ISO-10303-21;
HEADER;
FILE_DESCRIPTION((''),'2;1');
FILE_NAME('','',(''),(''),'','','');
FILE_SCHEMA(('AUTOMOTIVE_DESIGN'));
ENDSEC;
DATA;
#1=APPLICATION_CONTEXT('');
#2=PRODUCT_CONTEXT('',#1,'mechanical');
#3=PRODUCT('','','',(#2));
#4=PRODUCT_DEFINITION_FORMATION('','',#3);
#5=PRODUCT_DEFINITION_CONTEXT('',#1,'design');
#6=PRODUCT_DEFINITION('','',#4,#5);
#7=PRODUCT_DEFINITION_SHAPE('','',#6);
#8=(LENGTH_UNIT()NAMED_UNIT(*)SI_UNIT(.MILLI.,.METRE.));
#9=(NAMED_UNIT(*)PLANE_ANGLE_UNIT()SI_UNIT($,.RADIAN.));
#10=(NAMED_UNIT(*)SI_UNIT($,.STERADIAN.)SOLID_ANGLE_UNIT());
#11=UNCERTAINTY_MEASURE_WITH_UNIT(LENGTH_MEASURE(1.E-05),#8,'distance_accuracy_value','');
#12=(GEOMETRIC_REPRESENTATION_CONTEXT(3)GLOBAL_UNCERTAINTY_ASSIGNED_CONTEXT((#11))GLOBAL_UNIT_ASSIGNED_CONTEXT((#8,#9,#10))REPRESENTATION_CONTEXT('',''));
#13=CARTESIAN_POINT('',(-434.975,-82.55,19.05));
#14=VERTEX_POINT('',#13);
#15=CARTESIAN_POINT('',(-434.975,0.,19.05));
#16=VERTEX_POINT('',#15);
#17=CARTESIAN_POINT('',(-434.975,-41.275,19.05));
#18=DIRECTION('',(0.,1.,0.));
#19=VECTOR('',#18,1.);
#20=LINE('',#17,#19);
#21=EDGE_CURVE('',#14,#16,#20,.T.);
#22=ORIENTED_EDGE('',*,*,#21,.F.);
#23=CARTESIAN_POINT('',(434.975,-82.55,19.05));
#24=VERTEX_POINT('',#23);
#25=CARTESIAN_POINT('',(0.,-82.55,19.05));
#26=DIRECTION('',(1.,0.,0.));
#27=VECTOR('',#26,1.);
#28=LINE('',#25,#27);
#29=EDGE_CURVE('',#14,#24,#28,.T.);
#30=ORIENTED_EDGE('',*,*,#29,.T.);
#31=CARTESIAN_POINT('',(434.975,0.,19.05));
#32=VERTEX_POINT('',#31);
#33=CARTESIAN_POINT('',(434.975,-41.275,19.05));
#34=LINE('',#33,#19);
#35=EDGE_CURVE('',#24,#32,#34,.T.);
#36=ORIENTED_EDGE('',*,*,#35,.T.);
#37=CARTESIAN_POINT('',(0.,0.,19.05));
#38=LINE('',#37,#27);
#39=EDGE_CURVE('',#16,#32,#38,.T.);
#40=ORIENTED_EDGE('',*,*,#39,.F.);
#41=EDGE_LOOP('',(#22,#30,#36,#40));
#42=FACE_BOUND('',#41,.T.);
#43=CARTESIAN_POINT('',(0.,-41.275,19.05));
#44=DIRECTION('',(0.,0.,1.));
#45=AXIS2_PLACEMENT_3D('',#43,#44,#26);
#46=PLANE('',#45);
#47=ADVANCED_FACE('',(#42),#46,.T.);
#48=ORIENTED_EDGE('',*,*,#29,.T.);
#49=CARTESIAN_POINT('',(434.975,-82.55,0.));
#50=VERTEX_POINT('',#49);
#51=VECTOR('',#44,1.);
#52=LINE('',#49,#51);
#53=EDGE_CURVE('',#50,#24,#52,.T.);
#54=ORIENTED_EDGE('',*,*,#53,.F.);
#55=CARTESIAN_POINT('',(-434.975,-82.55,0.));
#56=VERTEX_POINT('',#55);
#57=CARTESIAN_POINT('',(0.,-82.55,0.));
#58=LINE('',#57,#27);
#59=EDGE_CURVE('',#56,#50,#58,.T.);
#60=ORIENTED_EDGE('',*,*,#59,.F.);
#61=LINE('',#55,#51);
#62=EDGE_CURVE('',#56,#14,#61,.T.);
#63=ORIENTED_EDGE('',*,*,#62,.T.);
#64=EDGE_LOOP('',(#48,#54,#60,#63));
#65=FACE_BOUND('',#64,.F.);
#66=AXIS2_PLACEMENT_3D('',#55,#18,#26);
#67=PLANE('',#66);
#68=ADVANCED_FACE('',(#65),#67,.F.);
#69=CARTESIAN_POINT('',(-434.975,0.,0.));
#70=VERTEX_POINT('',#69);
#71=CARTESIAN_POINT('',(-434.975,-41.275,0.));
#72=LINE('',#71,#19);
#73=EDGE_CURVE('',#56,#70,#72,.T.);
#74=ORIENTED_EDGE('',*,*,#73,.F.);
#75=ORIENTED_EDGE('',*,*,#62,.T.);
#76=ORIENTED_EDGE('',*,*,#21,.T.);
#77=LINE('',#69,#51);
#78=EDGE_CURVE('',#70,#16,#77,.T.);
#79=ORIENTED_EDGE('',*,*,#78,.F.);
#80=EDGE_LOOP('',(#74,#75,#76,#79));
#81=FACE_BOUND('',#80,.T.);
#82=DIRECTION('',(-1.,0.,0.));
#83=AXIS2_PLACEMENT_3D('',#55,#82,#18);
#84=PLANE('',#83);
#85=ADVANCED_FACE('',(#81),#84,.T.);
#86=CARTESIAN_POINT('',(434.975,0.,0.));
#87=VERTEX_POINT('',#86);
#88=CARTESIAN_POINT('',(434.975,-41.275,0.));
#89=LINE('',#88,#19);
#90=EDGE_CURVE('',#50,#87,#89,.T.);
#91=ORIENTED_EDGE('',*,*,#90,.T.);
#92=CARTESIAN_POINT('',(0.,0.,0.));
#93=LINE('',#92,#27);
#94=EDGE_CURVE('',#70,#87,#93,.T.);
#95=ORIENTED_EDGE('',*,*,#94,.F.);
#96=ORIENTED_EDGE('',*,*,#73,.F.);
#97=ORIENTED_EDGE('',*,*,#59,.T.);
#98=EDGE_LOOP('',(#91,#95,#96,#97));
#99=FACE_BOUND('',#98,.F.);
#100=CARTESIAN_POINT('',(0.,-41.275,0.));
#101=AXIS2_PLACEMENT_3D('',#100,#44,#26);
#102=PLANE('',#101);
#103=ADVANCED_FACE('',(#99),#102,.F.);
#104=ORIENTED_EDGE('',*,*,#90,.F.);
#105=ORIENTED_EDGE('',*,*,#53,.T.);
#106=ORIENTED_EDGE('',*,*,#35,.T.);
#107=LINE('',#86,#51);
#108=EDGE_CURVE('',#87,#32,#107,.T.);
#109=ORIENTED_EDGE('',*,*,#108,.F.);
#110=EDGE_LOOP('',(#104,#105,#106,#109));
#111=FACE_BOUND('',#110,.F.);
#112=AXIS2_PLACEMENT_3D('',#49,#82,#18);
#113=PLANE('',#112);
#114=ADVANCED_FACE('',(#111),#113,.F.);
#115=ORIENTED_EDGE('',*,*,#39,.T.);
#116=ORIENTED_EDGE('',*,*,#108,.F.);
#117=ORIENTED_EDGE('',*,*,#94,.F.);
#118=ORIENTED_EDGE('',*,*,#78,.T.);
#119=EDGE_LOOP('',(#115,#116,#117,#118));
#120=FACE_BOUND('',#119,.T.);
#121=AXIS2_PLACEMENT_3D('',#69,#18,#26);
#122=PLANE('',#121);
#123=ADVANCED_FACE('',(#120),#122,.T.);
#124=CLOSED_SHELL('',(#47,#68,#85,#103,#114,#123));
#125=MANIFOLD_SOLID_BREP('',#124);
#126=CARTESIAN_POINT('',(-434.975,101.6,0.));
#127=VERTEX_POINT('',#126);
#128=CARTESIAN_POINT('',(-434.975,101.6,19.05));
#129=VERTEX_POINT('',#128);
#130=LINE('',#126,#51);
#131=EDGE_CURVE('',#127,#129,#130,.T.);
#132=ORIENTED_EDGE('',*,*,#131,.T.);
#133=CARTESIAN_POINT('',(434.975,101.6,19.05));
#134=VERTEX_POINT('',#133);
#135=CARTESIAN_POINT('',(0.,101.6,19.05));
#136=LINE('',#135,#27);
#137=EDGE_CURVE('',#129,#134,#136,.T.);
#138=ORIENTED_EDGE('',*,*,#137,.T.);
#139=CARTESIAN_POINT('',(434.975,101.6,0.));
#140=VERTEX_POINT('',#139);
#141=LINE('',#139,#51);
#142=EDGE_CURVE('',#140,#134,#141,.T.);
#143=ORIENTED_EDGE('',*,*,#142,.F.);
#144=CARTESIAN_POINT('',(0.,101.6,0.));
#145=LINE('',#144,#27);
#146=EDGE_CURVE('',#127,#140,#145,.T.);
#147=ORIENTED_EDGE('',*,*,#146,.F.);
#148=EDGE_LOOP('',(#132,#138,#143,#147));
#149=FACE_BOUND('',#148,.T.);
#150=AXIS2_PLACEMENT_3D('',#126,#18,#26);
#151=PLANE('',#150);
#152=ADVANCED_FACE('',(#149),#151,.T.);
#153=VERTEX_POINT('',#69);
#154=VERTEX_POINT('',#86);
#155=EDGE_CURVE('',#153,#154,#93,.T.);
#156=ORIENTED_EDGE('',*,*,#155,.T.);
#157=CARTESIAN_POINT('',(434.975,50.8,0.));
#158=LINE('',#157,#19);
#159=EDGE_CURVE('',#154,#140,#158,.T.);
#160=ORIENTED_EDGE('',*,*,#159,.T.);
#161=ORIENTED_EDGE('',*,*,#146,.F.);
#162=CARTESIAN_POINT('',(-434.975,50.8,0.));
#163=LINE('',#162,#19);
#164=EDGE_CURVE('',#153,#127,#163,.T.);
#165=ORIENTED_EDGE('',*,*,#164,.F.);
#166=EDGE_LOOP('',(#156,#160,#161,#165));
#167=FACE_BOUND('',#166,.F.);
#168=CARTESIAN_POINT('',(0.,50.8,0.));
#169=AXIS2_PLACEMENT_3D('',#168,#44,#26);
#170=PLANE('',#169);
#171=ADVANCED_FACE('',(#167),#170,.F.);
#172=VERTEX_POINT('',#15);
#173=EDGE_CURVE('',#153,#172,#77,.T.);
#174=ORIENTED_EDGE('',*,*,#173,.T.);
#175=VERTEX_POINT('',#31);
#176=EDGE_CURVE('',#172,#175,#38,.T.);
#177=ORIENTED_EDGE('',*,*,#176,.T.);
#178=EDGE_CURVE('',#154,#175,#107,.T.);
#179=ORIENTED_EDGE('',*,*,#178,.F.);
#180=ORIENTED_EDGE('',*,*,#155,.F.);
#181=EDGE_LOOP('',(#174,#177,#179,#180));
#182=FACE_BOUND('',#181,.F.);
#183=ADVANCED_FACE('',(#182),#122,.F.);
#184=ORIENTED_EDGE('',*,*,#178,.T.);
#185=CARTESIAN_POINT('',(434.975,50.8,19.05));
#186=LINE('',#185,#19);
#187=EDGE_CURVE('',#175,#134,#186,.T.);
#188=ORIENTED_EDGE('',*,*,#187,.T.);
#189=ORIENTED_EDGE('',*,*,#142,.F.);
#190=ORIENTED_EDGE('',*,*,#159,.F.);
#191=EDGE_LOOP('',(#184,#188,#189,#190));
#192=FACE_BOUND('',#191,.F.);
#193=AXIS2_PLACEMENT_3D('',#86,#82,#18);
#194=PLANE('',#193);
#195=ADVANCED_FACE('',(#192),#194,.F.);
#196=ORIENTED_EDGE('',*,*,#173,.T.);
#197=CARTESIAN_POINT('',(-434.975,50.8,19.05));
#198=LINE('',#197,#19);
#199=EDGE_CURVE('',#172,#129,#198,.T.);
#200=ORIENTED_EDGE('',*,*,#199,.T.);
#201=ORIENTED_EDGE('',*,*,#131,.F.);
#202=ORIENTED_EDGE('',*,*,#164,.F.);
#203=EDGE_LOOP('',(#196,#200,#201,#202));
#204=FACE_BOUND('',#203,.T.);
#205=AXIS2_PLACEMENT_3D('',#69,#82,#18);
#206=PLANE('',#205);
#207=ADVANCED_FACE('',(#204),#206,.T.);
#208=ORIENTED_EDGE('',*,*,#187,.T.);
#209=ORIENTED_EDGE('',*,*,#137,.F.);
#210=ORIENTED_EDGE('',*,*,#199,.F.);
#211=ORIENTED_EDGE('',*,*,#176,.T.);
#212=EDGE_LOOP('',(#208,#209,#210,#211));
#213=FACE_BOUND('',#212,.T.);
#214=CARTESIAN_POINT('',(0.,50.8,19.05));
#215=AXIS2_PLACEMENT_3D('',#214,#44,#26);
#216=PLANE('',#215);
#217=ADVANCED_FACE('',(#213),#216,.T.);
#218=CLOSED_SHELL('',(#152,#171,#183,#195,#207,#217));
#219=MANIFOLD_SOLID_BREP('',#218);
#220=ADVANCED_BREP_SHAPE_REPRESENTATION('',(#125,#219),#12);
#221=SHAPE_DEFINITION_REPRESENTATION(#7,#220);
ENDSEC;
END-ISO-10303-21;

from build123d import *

# Parameters (mm, degrees)
F0_W     = 869.95
F0_H     = 101.6
F1_DEPTH = 19.05
F2_W     = 869.95
F2_H     = 82.55
F3_DEPTH = 19.05


with BuildPart() as f1:
    # F0 (on Top) → F1 (new body)
    with BuildSketch(Plane.XY):
        with Locations((0, 50.8)):
            Rectangle(F0_W, F0_H)
    extrude(amount=F1_DEPTH)


with BuildPart() as f3:
    # F2 (on Top) → F3 (new body, through all)
    with BuildSketch(Plane.XY):
        with Locations((0, -41.275)):
            Rectangle(F2_W, F2_H)
    extrude(amount=F3_DEPTH)


solid = Compound([f1.part, f3.part])
